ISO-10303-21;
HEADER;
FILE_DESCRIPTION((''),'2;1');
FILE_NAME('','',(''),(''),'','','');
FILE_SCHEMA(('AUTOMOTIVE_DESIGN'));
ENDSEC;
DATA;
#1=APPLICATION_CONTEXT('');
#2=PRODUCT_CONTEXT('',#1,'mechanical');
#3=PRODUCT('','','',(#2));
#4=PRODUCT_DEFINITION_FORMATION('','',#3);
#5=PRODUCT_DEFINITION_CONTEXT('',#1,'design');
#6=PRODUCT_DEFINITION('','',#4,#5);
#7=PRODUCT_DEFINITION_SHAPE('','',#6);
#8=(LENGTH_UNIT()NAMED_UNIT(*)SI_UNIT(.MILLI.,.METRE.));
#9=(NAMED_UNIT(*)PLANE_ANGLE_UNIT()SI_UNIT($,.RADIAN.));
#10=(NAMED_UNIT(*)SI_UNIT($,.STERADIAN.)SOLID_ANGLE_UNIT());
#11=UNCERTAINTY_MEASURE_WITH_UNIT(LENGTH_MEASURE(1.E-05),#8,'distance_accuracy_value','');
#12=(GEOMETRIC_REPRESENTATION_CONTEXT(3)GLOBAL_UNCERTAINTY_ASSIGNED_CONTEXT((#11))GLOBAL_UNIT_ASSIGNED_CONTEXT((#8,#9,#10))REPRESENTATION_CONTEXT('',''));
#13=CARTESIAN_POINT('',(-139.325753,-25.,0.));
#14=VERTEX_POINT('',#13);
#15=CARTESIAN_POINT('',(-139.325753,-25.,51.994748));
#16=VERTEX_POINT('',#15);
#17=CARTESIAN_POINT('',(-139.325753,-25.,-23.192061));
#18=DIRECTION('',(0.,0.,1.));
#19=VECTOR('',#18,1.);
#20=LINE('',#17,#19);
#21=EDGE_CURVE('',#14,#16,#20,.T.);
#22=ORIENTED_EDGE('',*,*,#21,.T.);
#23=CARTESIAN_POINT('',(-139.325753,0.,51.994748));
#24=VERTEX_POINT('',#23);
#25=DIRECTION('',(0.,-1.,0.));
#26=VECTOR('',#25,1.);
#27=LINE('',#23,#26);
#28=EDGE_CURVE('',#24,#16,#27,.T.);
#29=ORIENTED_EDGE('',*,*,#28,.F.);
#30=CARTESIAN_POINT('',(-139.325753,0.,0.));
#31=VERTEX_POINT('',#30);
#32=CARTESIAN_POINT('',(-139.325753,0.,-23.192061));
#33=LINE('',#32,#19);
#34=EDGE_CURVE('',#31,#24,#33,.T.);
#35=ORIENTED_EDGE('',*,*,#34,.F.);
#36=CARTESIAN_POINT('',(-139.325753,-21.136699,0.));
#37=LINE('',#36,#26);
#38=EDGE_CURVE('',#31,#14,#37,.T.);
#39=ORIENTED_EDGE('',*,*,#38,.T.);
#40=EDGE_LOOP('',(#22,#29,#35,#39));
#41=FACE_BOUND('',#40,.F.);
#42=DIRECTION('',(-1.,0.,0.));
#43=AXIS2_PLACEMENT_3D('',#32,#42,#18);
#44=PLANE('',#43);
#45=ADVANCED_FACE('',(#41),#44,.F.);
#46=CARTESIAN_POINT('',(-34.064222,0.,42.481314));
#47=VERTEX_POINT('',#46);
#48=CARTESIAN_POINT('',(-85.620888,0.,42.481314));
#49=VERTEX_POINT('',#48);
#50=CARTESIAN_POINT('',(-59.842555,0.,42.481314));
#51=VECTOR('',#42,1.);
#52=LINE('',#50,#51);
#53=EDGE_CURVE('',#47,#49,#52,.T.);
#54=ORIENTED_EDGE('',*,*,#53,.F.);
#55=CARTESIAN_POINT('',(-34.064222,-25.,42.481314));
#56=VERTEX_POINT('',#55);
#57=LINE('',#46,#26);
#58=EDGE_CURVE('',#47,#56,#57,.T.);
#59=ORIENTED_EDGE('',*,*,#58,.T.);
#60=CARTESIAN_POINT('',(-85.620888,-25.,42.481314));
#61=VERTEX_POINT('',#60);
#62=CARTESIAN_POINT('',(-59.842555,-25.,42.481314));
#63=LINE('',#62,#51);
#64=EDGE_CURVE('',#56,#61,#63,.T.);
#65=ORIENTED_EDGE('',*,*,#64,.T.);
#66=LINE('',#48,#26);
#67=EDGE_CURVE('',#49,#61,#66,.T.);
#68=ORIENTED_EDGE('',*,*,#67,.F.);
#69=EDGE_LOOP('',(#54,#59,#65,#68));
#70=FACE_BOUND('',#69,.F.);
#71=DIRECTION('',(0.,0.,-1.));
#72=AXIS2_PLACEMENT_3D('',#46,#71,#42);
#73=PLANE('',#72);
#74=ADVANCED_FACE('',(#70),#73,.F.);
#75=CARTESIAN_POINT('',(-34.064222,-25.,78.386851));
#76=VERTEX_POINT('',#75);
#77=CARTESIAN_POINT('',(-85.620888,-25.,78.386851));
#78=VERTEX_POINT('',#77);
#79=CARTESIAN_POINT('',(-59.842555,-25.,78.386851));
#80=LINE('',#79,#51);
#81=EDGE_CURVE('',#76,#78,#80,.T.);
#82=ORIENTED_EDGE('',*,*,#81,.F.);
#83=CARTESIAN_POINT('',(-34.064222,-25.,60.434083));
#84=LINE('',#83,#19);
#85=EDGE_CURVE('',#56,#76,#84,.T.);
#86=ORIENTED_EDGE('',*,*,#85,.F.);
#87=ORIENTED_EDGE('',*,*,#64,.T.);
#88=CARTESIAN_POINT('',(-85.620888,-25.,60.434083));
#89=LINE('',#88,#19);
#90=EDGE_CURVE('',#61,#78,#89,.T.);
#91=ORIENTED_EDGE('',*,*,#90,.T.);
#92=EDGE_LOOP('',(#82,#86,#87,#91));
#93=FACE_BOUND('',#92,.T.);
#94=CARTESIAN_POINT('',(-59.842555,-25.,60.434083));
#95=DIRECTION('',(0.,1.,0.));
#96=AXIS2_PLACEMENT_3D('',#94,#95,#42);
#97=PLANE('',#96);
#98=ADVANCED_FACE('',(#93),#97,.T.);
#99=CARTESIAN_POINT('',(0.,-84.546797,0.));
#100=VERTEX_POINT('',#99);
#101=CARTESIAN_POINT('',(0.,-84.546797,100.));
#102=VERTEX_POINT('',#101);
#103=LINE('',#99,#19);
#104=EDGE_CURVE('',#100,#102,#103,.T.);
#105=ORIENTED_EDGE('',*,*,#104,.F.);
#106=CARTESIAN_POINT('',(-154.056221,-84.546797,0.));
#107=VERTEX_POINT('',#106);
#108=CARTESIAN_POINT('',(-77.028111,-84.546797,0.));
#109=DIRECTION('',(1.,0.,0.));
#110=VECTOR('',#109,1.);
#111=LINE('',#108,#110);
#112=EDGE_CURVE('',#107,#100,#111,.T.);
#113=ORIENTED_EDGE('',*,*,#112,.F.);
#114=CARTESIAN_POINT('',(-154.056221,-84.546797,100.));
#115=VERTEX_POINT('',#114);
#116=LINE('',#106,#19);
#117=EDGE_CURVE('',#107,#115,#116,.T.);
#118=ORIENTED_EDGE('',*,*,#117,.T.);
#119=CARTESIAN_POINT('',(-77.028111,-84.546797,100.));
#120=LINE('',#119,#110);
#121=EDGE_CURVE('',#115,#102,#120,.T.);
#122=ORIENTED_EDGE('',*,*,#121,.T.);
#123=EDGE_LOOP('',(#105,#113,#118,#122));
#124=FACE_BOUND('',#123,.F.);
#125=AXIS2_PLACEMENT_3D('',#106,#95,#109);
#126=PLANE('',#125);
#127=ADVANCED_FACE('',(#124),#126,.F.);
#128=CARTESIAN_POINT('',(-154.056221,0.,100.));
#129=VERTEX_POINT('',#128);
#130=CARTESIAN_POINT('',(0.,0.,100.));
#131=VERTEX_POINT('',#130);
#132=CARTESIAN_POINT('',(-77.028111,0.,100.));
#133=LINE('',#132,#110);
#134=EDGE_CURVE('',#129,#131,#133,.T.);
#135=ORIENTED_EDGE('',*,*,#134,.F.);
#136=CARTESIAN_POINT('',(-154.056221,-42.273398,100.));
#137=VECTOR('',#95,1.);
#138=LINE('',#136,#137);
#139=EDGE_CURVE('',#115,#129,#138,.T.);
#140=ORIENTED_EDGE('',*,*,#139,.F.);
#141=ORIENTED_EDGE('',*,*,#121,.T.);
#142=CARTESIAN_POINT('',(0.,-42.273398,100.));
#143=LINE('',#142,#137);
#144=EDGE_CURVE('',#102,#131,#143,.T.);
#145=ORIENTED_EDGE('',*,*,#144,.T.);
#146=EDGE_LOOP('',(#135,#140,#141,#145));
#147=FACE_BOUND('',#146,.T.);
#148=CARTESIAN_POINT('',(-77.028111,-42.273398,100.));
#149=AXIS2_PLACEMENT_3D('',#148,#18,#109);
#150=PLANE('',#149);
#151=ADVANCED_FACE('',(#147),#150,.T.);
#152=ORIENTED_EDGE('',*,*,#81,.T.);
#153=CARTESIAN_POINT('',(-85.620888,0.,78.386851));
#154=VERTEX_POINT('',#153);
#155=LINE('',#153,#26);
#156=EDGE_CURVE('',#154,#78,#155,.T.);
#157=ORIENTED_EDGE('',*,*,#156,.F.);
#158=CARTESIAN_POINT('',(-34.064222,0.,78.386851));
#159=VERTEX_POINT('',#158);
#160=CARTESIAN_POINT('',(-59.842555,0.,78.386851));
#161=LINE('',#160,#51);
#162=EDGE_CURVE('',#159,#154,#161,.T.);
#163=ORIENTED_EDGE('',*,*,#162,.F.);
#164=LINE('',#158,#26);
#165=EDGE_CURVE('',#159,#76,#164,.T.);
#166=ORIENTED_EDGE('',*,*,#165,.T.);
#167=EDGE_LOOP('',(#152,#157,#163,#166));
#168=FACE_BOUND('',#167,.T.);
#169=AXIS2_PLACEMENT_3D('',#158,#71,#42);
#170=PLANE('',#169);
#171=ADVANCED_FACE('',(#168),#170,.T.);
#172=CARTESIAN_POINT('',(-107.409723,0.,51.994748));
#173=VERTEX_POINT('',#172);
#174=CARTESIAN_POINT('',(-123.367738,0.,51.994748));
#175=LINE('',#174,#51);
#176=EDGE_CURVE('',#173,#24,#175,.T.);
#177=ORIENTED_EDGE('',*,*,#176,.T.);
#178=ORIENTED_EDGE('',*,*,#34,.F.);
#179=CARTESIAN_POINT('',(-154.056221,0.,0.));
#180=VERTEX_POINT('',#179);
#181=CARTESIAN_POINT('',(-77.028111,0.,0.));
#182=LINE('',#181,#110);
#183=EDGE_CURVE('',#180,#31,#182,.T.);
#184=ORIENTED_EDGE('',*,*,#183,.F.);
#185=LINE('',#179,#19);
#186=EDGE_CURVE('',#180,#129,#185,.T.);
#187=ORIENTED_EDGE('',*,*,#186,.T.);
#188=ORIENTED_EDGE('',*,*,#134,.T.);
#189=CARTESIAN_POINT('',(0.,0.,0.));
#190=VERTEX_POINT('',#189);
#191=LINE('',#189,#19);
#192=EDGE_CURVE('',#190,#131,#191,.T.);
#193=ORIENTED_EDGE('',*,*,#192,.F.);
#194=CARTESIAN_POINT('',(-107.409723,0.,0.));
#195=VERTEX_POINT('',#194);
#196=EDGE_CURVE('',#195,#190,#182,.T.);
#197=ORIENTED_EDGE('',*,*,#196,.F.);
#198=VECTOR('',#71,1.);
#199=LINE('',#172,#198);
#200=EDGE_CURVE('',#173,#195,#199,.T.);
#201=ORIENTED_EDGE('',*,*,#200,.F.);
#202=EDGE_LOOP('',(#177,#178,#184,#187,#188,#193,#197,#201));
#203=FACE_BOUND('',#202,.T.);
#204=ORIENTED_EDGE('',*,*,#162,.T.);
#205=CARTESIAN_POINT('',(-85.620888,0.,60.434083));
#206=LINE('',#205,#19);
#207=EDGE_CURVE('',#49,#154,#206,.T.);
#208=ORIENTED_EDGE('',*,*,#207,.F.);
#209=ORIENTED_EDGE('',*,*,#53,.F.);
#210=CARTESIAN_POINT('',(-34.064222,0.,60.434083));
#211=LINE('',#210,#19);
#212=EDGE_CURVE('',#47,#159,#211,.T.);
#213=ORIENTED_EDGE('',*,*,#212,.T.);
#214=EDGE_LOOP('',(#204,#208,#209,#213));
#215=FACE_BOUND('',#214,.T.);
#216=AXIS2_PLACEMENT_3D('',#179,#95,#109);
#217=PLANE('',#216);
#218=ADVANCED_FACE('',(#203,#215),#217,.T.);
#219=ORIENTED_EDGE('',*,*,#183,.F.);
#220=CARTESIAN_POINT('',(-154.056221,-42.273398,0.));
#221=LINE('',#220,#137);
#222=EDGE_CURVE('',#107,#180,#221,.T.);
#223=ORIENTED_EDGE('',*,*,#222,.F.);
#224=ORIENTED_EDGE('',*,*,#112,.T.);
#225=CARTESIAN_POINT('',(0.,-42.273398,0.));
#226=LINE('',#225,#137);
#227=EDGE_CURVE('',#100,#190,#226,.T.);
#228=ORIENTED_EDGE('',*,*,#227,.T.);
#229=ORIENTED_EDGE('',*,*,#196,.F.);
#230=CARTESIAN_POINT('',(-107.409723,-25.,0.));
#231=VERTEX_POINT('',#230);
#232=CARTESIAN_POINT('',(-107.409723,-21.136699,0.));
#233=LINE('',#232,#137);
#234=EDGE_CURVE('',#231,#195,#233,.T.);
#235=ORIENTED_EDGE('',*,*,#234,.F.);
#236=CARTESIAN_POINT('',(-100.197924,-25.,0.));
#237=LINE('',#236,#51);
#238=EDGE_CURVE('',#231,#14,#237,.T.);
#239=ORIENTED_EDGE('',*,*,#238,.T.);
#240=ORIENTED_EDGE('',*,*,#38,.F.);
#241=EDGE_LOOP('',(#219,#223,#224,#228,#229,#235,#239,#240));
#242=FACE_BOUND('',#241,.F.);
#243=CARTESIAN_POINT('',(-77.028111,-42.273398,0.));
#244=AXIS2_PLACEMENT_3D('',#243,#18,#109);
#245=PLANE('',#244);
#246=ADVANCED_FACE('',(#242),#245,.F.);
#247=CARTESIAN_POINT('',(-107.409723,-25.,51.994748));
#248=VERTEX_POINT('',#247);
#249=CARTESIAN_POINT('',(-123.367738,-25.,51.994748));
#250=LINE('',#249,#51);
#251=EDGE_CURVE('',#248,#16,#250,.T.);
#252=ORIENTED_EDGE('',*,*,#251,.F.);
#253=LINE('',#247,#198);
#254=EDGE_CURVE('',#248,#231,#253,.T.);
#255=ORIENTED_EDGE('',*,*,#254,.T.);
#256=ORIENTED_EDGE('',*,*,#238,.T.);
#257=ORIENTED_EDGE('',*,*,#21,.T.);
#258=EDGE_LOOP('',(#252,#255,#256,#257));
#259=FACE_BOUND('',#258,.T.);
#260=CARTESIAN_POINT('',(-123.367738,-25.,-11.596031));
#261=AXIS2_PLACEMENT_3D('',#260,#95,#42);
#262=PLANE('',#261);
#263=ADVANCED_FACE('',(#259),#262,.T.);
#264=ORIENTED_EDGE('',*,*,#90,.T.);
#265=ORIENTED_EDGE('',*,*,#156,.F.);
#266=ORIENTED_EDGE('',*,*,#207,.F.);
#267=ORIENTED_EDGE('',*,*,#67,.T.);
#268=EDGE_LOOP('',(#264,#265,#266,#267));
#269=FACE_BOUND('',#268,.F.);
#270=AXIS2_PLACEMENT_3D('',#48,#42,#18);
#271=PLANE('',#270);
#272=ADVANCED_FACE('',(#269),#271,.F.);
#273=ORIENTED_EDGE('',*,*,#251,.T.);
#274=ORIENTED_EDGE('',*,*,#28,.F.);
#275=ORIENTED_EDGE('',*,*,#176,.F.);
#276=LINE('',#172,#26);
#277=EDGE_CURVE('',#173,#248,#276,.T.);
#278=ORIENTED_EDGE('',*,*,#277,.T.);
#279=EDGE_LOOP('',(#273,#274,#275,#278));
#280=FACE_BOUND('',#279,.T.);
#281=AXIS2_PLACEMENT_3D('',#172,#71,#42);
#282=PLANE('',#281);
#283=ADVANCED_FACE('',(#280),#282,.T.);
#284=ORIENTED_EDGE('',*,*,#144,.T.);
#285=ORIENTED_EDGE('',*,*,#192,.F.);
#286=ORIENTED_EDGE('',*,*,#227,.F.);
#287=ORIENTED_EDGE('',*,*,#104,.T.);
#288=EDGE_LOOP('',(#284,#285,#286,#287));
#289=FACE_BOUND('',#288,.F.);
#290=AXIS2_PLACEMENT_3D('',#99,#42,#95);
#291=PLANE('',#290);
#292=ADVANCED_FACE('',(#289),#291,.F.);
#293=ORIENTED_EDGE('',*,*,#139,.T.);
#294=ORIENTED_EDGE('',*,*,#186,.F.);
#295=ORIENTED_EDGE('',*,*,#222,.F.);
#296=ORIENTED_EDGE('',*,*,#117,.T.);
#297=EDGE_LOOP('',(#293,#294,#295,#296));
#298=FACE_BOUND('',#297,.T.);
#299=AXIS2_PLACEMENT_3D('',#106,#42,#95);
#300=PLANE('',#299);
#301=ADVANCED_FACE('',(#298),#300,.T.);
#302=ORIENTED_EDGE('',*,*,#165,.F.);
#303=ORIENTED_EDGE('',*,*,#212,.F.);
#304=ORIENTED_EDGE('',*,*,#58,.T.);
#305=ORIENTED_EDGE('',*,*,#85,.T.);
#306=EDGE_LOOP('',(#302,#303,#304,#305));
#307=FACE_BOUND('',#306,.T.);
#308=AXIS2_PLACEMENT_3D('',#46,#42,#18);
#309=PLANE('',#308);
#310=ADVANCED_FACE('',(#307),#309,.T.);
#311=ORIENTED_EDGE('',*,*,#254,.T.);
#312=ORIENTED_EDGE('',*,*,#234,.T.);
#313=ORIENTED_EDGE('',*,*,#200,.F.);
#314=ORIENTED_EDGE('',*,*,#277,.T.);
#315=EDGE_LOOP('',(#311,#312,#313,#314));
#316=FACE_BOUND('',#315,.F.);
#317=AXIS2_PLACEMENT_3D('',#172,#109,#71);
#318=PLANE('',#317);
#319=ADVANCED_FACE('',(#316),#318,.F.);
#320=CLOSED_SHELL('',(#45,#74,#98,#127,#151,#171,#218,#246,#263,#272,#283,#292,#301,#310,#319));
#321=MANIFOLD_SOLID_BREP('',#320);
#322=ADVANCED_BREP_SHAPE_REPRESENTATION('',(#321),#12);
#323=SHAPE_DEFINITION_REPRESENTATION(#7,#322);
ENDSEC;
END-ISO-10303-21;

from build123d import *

# Parameters (mm, degrees)
F0_W     = 154.0562212467
F0_H     = 84.5467969775
F1_DEPTH = 100
F2_W     = 31.9160297513
F2_H     = 23.1920611113
F2_H_2   = 51.9947484136
F2_W_2   = 51.5566654503
F2_H_3   = 35.9055362642
F3_DEPTH = 25


with BuildPart() as f1:
    # F0 (on Top) → F1 (new body)
    with BuildSketch(Plane.XY):
        with Locations((-77.0281106234, -42.2733984888)):
            Rectangle(F0_W, F0_H)
    extrude(amount=F1_DEPTH)

    # F2 (on face) → F3 (cut)
    with BuildSketch(Plane(origin=(0, 0, 0), x_dir=(-1, 0, 0), z_dir=(0, 1, 0))):
        with Locations((123.3677379787, -11.5960305557)):
            Rectangle(F2_W, F2_H)
        with Locations((123.3677379787, 25.9973742068)):
            Rectangle(F2_W, F2_H_2)
        with Locations((59.8425548524, 60.434082523)):
            Rectangle(F2_W_2, F2_H_3)
    extrude(amount=-F3_DEPTH, mode=Mode.SUBTRACT)


solid = f1.part
